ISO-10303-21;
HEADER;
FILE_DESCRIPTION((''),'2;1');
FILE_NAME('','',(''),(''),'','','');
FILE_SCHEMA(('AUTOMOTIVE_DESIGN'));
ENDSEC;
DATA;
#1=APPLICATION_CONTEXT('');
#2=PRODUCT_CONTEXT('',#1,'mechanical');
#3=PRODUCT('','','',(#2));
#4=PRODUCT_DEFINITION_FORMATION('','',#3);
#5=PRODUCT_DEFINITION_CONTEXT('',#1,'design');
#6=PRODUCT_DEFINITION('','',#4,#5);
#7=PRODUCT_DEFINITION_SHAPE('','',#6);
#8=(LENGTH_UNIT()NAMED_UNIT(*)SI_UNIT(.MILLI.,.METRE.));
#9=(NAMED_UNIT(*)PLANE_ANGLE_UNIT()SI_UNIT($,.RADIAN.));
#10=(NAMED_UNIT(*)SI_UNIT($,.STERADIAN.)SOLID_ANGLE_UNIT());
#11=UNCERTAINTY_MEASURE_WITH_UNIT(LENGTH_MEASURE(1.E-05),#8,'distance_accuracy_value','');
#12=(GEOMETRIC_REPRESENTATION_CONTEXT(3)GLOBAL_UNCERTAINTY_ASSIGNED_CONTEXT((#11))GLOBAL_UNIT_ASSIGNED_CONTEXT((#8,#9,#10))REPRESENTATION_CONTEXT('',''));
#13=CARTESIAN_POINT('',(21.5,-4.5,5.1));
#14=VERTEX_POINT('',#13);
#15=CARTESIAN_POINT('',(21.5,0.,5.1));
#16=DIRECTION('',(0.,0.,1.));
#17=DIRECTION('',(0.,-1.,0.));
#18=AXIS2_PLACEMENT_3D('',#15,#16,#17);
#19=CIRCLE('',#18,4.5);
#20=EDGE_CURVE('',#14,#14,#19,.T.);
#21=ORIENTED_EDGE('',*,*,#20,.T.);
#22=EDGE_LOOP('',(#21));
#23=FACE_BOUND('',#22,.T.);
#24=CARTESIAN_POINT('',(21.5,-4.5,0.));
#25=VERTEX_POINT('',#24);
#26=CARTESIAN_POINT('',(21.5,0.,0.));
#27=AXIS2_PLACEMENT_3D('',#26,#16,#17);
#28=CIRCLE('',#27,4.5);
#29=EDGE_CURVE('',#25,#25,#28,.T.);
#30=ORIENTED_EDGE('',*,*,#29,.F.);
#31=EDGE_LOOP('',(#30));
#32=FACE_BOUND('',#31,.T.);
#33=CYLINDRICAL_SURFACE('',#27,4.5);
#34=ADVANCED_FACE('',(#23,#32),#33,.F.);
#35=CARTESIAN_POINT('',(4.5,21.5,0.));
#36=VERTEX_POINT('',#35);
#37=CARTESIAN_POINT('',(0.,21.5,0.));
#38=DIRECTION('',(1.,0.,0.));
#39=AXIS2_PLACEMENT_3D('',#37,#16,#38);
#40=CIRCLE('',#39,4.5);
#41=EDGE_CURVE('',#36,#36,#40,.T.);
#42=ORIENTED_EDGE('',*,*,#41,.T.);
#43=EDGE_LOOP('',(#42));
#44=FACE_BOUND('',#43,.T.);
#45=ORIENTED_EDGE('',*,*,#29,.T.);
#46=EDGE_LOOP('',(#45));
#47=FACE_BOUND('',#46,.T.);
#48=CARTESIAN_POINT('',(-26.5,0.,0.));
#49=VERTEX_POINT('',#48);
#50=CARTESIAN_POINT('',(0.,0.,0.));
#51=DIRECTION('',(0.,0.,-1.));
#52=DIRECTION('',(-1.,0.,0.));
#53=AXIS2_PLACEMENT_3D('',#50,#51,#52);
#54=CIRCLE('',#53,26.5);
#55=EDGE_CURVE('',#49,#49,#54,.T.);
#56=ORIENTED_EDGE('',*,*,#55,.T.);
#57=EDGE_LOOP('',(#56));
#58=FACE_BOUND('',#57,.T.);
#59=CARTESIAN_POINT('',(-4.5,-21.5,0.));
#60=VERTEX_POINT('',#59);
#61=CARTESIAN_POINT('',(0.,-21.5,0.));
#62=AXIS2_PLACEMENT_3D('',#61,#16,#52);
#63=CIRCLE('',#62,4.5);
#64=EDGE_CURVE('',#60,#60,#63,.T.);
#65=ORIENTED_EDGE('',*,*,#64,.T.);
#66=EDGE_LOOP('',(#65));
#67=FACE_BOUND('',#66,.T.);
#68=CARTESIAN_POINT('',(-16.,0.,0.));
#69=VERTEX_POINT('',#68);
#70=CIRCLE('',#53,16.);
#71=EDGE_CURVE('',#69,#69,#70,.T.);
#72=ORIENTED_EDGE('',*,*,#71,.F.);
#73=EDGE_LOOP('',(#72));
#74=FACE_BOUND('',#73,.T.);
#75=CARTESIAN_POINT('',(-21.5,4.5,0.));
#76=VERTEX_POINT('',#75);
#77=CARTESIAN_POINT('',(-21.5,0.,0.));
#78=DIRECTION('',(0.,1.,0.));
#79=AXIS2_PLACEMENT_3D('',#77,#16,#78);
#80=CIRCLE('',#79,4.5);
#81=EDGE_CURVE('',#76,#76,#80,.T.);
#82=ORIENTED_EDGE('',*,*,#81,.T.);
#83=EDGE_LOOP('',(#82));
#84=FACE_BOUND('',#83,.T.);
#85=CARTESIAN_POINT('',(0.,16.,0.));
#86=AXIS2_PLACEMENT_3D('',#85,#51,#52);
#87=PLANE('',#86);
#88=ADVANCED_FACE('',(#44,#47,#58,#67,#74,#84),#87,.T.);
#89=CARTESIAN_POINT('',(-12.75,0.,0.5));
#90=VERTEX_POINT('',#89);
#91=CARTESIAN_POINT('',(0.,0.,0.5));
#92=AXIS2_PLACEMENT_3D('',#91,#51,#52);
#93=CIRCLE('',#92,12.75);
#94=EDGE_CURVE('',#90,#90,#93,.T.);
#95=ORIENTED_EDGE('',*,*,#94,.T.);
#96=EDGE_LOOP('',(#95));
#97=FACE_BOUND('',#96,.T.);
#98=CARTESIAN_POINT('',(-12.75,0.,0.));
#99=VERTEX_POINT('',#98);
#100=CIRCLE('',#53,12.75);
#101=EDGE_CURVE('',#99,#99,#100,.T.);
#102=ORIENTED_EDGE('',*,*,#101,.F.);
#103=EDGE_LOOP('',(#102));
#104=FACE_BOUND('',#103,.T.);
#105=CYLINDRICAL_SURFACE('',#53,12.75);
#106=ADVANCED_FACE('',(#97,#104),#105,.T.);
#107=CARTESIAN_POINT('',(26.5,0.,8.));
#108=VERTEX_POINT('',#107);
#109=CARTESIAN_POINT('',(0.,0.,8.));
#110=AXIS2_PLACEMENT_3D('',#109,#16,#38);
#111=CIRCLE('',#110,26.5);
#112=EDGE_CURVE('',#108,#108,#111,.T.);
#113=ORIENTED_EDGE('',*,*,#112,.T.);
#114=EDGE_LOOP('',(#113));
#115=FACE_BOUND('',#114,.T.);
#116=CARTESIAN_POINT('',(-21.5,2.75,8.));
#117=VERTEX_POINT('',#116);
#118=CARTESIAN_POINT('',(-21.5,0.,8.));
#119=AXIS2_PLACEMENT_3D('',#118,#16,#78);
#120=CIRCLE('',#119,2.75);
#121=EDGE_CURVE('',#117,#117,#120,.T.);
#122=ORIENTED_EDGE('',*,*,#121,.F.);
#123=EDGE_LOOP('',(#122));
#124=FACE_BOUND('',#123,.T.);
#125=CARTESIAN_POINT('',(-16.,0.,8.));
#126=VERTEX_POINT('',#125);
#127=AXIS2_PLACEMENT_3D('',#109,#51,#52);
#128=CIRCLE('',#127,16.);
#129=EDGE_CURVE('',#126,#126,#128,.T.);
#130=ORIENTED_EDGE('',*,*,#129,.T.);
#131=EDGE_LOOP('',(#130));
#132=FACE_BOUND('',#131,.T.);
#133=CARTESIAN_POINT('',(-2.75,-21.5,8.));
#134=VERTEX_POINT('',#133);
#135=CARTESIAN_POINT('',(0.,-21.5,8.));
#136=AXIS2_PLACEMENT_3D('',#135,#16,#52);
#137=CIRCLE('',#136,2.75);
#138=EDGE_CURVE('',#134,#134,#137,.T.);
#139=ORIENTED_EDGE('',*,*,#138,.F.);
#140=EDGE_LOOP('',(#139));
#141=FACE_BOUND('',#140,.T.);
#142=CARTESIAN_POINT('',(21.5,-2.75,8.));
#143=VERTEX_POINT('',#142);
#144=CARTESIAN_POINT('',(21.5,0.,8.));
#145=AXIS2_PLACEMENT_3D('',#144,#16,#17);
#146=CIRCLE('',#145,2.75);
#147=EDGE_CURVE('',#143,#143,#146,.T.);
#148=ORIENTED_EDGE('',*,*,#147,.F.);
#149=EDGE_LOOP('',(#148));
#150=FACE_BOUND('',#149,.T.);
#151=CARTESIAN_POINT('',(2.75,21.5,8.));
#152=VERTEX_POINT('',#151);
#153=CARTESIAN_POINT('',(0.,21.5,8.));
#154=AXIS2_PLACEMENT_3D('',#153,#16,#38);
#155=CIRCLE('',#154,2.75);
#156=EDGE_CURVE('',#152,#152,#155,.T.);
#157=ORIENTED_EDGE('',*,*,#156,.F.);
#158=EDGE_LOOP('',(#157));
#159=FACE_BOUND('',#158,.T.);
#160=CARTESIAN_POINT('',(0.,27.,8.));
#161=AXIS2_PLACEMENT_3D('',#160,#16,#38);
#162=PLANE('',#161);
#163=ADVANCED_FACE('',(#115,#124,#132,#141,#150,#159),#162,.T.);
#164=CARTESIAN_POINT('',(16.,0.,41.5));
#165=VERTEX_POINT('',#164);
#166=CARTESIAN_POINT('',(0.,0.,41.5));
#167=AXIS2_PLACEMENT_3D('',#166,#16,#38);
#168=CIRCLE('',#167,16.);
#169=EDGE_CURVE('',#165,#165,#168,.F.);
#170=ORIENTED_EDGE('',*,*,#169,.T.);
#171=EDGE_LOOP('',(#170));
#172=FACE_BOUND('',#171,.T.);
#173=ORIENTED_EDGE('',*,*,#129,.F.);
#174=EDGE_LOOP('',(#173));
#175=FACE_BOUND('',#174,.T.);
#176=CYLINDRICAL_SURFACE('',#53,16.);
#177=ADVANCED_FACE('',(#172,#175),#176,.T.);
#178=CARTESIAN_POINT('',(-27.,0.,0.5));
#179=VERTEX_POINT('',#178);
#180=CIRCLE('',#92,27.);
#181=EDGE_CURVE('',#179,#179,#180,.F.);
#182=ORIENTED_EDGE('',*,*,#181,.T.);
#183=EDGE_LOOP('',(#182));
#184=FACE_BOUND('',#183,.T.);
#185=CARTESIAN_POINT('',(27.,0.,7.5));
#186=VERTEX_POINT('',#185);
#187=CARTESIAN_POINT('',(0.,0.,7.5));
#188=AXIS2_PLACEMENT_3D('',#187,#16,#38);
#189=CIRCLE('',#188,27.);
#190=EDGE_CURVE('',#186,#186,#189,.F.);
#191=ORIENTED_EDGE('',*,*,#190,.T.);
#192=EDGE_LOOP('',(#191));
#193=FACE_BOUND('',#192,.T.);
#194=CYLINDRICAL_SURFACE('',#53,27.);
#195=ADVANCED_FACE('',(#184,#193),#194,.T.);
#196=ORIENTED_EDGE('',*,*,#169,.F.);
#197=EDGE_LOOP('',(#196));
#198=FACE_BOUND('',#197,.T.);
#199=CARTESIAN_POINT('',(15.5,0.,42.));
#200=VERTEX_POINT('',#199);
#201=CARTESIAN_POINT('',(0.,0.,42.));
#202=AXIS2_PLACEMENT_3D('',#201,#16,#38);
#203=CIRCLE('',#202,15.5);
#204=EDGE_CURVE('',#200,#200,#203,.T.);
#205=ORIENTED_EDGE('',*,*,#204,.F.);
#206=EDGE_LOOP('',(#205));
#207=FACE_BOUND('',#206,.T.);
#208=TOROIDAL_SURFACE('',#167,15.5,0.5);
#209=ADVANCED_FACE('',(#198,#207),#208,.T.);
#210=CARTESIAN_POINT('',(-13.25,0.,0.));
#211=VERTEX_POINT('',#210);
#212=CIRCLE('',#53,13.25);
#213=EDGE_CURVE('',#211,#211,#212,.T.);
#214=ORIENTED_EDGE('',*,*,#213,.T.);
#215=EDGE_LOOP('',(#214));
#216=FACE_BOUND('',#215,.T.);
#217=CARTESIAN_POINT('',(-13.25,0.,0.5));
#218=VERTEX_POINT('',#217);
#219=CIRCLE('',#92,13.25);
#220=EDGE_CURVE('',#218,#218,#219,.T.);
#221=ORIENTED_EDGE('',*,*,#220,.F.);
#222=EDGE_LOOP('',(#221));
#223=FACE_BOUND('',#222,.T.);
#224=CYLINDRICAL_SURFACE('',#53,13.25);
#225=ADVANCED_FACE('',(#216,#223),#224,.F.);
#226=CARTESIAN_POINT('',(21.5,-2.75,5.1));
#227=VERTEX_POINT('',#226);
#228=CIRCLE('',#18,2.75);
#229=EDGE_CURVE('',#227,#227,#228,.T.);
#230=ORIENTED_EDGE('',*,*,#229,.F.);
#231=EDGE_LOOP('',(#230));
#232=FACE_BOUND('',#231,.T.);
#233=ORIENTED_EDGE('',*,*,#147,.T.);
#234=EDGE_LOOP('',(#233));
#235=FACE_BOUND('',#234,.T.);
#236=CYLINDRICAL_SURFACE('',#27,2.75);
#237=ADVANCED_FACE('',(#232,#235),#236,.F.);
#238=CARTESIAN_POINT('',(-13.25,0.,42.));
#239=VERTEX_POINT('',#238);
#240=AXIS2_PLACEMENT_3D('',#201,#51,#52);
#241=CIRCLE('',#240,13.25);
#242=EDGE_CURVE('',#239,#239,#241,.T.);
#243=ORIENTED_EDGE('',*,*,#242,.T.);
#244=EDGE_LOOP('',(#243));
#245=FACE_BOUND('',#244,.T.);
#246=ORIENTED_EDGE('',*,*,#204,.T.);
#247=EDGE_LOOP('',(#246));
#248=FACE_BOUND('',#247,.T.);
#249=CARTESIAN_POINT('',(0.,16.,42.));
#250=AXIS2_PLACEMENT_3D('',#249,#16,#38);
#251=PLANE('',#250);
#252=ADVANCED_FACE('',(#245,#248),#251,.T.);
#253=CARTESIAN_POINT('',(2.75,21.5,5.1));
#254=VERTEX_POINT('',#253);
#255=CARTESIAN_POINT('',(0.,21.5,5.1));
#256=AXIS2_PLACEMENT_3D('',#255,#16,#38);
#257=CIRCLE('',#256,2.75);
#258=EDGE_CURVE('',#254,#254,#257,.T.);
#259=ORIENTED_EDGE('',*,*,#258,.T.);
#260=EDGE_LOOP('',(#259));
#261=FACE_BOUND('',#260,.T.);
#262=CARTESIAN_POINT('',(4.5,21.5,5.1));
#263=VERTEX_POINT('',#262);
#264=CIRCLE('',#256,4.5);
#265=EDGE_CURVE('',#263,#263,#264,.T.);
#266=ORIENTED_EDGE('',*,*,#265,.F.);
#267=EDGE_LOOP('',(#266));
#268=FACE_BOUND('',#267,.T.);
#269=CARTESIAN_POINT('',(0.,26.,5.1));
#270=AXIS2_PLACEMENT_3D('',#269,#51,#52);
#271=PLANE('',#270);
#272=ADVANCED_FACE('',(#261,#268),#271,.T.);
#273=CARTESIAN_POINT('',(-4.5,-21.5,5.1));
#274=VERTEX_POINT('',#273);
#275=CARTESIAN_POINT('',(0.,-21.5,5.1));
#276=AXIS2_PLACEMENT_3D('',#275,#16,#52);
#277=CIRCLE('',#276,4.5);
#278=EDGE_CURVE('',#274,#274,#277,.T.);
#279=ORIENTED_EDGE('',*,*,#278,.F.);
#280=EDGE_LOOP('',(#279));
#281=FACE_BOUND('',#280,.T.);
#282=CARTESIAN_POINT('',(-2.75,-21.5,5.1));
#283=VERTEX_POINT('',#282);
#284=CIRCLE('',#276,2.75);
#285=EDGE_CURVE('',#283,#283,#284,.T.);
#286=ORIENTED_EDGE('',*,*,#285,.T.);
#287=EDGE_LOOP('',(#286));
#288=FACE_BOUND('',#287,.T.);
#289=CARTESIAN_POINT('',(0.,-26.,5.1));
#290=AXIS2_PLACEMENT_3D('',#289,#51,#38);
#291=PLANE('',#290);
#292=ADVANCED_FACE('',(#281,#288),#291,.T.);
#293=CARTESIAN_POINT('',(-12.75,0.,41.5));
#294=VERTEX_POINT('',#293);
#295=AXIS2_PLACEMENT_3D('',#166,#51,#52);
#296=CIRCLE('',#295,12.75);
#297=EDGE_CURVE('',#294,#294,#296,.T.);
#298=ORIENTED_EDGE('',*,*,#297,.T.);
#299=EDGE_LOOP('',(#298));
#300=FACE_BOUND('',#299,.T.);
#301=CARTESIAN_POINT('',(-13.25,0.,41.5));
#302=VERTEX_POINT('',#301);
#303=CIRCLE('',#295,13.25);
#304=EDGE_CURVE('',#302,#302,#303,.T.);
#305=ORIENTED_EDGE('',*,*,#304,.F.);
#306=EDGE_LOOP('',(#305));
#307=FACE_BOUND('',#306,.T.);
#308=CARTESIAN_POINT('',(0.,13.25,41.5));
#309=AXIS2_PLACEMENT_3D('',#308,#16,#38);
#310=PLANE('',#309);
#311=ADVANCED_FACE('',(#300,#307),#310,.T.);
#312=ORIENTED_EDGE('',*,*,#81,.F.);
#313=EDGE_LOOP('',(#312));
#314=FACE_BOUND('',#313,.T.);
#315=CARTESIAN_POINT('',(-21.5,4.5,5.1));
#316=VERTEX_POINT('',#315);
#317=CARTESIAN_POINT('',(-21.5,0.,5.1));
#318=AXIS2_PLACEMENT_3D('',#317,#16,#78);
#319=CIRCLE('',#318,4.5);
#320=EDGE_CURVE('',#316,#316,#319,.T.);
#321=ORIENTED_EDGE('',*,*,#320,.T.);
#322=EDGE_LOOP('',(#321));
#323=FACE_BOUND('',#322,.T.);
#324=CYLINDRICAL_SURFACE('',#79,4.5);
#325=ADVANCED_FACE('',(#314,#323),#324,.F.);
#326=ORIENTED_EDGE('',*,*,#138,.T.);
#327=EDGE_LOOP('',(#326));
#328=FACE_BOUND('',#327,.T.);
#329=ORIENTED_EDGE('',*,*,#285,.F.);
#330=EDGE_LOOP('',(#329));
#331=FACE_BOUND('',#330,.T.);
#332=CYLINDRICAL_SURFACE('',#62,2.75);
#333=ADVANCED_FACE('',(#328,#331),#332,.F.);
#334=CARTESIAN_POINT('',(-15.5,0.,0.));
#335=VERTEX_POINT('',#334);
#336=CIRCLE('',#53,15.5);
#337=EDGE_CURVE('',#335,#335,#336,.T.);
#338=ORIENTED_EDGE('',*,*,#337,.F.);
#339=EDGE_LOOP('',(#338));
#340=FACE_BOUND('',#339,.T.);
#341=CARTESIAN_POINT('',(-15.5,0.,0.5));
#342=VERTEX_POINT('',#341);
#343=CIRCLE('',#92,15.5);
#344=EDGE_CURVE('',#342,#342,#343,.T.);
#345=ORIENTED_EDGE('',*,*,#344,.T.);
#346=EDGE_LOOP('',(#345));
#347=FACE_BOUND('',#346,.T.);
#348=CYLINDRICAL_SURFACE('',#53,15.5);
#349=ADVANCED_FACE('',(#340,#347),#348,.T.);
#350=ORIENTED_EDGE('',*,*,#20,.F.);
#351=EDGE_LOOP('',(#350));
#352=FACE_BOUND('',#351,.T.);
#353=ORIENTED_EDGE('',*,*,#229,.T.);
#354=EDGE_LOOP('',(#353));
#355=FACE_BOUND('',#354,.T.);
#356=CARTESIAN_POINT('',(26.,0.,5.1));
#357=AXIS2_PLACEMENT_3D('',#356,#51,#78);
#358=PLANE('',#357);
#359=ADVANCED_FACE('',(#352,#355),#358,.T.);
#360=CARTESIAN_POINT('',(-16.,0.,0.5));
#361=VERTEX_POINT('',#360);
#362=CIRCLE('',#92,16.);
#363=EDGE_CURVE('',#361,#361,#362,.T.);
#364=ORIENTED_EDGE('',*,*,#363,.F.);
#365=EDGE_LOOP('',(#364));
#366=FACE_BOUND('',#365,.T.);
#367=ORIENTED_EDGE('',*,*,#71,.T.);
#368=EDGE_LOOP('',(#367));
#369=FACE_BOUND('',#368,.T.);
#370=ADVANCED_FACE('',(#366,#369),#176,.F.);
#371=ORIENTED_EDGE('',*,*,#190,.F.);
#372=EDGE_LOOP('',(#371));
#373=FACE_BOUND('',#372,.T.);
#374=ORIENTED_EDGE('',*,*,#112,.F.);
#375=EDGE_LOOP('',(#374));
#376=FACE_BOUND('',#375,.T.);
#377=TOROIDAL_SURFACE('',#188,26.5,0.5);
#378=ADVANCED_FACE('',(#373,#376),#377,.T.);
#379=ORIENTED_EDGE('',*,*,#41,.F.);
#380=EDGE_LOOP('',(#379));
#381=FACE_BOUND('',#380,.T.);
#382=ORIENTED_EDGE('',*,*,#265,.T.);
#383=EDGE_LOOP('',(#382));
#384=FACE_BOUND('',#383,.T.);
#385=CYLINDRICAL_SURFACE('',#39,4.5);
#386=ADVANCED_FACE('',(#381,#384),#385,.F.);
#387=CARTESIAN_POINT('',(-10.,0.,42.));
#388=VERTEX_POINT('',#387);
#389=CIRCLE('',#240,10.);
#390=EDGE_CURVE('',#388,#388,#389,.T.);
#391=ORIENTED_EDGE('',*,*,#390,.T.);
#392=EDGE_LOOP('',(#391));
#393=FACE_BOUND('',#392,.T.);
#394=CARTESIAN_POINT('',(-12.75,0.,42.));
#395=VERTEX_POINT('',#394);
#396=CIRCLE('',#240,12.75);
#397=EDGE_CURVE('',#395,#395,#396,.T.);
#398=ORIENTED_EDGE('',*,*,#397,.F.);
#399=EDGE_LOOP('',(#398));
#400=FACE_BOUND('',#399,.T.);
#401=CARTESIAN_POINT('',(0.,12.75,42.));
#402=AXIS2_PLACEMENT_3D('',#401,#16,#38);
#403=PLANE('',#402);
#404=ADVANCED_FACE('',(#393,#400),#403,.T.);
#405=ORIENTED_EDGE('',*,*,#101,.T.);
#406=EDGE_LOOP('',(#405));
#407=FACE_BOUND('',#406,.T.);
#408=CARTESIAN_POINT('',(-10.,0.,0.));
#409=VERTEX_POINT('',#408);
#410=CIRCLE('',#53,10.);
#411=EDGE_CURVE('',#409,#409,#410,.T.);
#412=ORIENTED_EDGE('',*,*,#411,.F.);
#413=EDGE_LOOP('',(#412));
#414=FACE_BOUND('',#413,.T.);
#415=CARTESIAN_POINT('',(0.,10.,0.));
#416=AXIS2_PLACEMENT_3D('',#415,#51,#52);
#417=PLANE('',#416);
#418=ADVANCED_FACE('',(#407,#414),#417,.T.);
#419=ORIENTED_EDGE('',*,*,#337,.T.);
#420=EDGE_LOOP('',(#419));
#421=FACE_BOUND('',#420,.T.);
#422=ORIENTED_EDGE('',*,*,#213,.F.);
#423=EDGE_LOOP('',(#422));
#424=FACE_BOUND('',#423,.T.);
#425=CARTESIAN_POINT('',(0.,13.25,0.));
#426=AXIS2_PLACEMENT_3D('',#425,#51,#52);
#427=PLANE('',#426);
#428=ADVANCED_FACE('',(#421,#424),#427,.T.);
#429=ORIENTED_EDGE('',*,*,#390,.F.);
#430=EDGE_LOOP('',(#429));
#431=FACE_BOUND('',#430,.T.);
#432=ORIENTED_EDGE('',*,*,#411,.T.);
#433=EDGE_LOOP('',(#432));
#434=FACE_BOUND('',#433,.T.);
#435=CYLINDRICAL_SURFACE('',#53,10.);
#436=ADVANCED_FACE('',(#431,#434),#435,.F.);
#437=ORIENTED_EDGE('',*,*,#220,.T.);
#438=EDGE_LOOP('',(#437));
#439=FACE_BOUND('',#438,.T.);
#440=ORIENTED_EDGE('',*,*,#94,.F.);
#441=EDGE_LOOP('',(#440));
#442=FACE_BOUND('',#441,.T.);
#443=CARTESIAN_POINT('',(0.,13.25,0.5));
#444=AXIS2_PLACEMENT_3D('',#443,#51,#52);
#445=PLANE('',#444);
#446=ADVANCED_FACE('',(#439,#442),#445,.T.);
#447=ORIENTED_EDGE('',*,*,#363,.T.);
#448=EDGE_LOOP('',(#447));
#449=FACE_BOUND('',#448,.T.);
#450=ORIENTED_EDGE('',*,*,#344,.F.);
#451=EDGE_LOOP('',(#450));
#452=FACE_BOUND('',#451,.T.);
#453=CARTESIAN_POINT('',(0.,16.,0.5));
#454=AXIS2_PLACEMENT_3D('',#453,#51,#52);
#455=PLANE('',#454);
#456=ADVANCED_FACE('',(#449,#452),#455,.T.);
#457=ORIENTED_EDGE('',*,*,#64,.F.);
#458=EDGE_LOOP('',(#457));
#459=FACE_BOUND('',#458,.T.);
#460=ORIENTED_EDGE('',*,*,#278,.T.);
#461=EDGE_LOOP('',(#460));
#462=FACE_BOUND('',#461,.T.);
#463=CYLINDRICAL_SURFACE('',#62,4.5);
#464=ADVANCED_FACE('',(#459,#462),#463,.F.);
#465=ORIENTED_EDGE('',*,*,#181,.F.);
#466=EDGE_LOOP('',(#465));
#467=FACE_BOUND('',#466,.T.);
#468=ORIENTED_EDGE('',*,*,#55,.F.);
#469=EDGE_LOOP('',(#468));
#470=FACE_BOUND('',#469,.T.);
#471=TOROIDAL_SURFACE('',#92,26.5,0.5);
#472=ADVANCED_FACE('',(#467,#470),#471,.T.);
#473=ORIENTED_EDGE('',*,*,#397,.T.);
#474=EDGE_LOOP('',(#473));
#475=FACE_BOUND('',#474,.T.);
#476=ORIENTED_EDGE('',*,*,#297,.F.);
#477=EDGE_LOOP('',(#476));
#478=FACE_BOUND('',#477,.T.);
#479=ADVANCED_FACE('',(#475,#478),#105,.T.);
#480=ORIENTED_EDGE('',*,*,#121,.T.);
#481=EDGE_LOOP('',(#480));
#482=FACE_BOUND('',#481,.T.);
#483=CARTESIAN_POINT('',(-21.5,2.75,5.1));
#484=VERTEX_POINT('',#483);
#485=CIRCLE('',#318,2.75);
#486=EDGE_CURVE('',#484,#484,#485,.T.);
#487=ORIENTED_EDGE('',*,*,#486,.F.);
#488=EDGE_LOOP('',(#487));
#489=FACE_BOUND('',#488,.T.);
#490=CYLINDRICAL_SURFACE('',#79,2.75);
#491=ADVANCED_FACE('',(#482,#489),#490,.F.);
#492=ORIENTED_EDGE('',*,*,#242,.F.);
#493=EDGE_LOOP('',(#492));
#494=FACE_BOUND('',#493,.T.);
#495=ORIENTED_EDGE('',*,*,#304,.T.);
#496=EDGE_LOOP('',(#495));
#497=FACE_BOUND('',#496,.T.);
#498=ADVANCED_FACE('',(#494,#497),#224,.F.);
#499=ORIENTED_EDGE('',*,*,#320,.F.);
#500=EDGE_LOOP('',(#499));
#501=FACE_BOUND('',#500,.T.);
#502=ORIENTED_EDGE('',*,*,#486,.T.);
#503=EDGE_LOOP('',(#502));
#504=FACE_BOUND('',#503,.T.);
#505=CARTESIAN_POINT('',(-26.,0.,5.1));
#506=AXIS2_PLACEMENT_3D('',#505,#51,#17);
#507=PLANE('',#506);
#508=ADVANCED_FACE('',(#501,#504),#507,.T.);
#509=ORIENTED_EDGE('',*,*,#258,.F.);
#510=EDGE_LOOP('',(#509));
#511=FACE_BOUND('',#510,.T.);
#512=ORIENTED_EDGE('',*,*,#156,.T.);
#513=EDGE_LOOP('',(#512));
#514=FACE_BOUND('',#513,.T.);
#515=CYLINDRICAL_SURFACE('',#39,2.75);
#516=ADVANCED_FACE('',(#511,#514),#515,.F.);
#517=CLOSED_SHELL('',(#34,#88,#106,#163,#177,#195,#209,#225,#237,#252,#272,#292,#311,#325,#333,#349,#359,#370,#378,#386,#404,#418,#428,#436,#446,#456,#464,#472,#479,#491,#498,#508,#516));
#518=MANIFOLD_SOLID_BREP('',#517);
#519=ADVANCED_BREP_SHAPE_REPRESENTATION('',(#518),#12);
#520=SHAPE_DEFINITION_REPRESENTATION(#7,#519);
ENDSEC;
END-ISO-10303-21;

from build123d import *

# Parameters (mm, degrees)
PADR_OCIRCULAR1_COUNT = 4
FILETE1_R             = 0.5


with BuildPart() as part:
    # Esboço1 → Revolução1 (revolve)
    with BuildSketch(Plane(origin=(0, 0, 0), x_dir=(0, 0, -1), z_dir=(1, 0, 0)), mode=Mode.PRIVATE) as revolu_o1_sk:
        Polygon((0, 10), (0, 12.75), (-0.5, 12.75), (-0.5, 13.25), (0, 13.25), (0, 15.5), (-0.5, 15.5), (-0.5, 16), (0, 16), (0, 27), (-8, 27), (-8, 16), (-42, 16), (-42, 13.25), (-41.5, 13.25), (-41.5, 12.75), (-42, 12.75), (-42, 10), align=None)
    revolve(revolu_o1_sk.sketch.rotate(Axis((0, 0, 0), (0, 0, 1)), 90), axis=Axis((0, 0, 0), (0, 0, 1)))  # turned: the seam where the file's is

    # Esboço5 → Corte-Revolução1 (revolve, cut)
    with BuildSketch(Plane(origin=(0, 0, 0), x_dir=(0, 0, -1), z_dir=(1, 0, 0)), mode=Mode.PRIVATE) as corte_revolu_o1_sk:
        Polygon((0, 26), (-5.1, 26), (-5.1, 24.25), (-8, 24.25), (-8, 21.5), (0, 21.5), align=None)
    corte_revolu_o1 = revolve(corte_revolu_o1_sk.sketch.rotate(Axis((0, 21.5, 0), (0, 0, -1)), 90), axis=Axis((0, 21.5, 0), (0, 0, -1)), mode=Mode.SUBTRACT)  # turned: the seam where the file's is

    # PadrãoCircular1: Corte-Revolução1 ×4 about axis
    padr_ocircular1_axis = Axis((0, 0, 0), (0, 0, 1))
    for i in range(1, PADR_OCIRCULAR1_COUNT):
        add(corte_revolu_o1.rotate(padr_ocircular1_axis, i * 360 / PADR_OCIRCULAR1_COUNT), mode=Mode.SUBTRACT)

    # Filete1
    filete1_edges = [part.edges().sort_by_distance(p)[0] for p in [
        (16, 0, 42),
        (27, 0, 8),
        (27, 0, 0),
    ]]
    fillet(filete1_edges, radius=FILETE1_R)


solid = part.part
